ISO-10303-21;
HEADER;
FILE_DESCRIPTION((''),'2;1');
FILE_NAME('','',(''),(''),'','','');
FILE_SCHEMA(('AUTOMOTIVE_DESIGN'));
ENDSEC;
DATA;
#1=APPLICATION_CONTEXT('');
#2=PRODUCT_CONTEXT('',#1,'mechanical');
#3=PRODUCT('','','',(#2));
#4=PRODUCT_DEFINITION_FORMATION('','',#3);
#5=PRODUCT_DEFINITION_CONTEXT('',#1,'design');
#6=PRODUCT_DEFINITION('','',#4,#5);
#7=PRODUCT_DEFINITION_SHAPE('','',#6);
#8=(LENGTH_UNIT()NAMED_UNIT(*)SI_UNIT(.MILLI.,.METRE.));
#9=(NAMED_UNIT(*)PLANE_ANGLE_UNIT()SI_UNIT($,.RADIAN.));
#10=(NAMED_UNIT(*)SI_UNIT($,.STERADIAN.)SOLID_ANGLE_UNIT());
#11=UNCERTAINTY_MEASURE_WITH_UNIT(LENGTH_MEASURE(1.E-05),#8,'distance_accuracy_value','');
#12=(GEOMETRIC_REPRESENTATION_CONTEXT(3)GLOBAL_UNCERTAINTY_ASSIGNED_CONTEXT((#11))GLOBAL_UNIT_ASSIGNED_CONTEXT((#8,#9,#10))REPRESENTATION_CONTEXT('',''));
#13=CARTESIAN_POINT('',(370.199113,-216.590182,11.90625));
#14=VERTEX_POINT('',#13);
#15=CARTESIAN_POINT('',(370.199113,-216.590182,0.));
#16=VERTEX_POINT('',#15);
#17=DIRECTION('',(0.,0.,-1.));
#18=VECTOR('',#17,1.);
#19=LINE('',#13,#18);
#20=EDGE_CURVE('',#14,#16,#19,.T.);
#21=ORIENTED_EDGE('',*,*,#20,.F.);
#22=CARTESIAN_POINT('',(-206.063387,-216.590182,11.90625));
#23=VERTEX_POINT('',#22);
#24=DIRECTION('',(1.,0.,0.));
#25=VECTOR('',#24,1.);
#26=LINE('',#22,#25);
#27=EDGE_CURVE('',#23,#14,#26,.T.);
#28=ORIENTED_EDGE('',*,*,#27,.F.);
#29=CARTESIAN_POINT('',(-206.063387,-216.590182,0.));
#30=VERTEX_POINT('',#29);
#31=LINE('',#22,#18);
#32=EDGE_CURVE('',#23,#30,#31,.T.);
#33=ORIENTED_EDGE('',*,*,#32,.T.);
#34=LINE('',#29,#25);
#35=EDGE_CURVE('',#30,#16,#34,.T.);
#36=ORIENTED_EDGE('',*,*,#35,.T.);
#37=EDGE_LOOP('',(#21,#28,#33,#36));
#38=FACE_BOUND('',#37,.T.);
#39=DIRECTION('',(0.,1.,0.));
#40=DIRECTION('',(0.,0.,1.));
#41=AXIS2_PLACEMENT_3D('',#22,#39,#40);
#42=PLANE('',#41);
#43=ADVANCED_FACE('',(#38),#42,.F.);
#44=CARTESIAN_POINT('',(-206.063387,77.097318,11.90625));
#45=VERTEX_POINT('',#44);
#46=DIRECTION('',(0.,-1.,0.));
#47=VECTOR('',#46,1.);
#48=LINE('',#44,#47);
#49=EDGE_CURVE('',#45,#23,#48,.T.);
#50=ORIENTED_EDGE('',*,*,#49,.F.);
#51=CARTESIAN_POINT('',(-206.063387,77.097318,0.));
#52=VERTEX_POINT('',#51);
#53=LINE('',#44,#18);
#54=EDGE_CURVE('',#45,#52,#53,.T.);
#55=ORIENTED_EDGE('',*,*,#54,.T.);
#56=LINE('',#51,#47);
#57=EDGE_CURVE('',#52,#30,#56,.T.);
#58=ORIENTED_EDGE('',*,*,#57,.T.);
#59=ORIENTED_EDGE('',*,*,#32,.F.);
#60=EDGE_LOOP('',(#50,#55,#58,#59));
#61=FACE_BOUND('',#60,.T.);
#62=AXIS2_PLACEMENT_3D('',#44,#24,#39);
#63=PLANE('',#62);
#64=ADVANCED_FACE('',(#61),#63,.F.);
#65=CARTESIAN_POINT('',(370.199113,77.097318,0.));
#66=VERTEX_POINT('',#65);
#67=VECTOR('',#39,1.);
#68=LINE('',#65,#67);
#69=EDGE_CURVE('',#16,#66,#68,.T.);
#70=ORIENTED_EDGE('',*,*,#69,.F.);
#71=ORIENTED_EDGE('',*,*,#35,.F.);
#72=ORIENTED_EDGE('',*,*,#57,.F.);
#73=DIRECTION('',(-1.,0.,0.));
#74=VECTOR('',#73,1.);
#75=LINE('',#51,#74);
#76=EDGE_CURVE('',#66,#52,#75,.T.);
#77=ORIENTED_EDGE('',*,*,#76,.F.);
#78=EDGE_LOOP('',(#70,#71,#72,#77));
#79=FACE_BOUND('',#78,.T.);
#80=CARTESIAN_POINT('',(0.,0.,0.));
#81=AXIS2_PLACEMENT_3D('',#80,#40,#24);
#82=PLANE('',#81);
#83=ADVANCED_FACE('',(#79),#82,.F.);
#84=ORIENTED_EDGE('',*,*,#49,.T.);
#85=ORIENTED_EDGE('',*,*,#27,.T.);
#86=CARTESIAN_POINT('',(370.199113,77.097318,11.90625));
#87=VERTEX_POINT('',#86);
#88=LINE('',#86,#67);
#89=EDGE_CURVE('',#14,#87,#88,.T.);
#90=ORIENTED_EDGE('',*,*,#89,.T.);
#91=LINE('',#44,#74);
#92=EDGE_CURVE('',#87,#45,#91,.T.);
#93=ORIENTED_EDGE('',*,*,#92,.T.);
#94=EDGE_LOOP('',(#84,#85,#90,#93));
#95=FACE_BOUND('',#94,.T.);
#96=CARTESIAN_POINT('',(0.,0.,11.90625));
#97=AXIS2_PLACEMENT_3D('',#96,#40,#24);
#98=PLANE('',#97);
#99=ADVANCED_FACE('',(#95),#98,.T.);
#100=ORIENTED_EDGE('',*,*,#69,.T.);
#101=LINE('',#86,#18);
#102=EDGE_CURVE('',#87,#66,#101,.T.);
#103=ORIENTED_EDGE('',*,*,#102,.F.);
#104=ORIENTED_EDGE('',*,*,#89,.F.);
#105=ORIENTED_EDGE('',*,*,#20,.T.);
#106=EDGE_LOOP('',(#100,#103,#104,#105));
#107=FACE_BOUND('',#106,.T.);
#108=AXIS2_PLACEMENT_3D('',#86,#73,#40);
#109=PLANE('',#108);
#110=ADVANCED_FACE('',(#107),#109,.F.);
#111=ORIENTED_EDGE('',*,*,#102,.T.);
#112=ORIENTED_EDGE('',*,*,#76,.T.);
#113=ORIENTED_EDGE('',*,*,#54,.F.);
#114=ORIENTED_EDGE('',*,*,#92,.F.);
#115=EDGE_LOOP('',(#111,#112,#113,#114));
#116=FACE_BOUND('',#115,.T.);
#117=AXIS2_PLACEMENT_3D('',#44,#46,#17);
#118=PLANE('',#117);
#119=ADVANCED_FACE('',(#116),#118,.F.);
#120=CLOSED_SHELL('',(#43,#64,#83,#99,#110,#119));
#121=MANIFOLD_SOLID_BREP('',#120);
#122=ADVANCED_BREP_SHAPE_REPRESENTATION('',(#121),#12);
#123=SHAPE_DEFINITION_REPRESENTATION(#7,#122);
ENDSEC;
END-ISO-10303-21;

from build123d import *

# Parameters (mm, degrees)
SKETCH1_W           = 576.2625
SKETCH1_H           = 293.6875
BOSS_EXTRUDE1_DEPTH = 11.90625


with BuildPart() as part:
    # Sketch1 → Boss-Extrude1 (new body)
    with BuildSketch(Plane.XY):
        with Locations((82.067862533, -69.746431816)):
            Rectangle(SKETCH1_W, SKETCH1_H)
    extrude(amount=BOSS_EXTRUDE1_DEPTH)


solid = part.part
